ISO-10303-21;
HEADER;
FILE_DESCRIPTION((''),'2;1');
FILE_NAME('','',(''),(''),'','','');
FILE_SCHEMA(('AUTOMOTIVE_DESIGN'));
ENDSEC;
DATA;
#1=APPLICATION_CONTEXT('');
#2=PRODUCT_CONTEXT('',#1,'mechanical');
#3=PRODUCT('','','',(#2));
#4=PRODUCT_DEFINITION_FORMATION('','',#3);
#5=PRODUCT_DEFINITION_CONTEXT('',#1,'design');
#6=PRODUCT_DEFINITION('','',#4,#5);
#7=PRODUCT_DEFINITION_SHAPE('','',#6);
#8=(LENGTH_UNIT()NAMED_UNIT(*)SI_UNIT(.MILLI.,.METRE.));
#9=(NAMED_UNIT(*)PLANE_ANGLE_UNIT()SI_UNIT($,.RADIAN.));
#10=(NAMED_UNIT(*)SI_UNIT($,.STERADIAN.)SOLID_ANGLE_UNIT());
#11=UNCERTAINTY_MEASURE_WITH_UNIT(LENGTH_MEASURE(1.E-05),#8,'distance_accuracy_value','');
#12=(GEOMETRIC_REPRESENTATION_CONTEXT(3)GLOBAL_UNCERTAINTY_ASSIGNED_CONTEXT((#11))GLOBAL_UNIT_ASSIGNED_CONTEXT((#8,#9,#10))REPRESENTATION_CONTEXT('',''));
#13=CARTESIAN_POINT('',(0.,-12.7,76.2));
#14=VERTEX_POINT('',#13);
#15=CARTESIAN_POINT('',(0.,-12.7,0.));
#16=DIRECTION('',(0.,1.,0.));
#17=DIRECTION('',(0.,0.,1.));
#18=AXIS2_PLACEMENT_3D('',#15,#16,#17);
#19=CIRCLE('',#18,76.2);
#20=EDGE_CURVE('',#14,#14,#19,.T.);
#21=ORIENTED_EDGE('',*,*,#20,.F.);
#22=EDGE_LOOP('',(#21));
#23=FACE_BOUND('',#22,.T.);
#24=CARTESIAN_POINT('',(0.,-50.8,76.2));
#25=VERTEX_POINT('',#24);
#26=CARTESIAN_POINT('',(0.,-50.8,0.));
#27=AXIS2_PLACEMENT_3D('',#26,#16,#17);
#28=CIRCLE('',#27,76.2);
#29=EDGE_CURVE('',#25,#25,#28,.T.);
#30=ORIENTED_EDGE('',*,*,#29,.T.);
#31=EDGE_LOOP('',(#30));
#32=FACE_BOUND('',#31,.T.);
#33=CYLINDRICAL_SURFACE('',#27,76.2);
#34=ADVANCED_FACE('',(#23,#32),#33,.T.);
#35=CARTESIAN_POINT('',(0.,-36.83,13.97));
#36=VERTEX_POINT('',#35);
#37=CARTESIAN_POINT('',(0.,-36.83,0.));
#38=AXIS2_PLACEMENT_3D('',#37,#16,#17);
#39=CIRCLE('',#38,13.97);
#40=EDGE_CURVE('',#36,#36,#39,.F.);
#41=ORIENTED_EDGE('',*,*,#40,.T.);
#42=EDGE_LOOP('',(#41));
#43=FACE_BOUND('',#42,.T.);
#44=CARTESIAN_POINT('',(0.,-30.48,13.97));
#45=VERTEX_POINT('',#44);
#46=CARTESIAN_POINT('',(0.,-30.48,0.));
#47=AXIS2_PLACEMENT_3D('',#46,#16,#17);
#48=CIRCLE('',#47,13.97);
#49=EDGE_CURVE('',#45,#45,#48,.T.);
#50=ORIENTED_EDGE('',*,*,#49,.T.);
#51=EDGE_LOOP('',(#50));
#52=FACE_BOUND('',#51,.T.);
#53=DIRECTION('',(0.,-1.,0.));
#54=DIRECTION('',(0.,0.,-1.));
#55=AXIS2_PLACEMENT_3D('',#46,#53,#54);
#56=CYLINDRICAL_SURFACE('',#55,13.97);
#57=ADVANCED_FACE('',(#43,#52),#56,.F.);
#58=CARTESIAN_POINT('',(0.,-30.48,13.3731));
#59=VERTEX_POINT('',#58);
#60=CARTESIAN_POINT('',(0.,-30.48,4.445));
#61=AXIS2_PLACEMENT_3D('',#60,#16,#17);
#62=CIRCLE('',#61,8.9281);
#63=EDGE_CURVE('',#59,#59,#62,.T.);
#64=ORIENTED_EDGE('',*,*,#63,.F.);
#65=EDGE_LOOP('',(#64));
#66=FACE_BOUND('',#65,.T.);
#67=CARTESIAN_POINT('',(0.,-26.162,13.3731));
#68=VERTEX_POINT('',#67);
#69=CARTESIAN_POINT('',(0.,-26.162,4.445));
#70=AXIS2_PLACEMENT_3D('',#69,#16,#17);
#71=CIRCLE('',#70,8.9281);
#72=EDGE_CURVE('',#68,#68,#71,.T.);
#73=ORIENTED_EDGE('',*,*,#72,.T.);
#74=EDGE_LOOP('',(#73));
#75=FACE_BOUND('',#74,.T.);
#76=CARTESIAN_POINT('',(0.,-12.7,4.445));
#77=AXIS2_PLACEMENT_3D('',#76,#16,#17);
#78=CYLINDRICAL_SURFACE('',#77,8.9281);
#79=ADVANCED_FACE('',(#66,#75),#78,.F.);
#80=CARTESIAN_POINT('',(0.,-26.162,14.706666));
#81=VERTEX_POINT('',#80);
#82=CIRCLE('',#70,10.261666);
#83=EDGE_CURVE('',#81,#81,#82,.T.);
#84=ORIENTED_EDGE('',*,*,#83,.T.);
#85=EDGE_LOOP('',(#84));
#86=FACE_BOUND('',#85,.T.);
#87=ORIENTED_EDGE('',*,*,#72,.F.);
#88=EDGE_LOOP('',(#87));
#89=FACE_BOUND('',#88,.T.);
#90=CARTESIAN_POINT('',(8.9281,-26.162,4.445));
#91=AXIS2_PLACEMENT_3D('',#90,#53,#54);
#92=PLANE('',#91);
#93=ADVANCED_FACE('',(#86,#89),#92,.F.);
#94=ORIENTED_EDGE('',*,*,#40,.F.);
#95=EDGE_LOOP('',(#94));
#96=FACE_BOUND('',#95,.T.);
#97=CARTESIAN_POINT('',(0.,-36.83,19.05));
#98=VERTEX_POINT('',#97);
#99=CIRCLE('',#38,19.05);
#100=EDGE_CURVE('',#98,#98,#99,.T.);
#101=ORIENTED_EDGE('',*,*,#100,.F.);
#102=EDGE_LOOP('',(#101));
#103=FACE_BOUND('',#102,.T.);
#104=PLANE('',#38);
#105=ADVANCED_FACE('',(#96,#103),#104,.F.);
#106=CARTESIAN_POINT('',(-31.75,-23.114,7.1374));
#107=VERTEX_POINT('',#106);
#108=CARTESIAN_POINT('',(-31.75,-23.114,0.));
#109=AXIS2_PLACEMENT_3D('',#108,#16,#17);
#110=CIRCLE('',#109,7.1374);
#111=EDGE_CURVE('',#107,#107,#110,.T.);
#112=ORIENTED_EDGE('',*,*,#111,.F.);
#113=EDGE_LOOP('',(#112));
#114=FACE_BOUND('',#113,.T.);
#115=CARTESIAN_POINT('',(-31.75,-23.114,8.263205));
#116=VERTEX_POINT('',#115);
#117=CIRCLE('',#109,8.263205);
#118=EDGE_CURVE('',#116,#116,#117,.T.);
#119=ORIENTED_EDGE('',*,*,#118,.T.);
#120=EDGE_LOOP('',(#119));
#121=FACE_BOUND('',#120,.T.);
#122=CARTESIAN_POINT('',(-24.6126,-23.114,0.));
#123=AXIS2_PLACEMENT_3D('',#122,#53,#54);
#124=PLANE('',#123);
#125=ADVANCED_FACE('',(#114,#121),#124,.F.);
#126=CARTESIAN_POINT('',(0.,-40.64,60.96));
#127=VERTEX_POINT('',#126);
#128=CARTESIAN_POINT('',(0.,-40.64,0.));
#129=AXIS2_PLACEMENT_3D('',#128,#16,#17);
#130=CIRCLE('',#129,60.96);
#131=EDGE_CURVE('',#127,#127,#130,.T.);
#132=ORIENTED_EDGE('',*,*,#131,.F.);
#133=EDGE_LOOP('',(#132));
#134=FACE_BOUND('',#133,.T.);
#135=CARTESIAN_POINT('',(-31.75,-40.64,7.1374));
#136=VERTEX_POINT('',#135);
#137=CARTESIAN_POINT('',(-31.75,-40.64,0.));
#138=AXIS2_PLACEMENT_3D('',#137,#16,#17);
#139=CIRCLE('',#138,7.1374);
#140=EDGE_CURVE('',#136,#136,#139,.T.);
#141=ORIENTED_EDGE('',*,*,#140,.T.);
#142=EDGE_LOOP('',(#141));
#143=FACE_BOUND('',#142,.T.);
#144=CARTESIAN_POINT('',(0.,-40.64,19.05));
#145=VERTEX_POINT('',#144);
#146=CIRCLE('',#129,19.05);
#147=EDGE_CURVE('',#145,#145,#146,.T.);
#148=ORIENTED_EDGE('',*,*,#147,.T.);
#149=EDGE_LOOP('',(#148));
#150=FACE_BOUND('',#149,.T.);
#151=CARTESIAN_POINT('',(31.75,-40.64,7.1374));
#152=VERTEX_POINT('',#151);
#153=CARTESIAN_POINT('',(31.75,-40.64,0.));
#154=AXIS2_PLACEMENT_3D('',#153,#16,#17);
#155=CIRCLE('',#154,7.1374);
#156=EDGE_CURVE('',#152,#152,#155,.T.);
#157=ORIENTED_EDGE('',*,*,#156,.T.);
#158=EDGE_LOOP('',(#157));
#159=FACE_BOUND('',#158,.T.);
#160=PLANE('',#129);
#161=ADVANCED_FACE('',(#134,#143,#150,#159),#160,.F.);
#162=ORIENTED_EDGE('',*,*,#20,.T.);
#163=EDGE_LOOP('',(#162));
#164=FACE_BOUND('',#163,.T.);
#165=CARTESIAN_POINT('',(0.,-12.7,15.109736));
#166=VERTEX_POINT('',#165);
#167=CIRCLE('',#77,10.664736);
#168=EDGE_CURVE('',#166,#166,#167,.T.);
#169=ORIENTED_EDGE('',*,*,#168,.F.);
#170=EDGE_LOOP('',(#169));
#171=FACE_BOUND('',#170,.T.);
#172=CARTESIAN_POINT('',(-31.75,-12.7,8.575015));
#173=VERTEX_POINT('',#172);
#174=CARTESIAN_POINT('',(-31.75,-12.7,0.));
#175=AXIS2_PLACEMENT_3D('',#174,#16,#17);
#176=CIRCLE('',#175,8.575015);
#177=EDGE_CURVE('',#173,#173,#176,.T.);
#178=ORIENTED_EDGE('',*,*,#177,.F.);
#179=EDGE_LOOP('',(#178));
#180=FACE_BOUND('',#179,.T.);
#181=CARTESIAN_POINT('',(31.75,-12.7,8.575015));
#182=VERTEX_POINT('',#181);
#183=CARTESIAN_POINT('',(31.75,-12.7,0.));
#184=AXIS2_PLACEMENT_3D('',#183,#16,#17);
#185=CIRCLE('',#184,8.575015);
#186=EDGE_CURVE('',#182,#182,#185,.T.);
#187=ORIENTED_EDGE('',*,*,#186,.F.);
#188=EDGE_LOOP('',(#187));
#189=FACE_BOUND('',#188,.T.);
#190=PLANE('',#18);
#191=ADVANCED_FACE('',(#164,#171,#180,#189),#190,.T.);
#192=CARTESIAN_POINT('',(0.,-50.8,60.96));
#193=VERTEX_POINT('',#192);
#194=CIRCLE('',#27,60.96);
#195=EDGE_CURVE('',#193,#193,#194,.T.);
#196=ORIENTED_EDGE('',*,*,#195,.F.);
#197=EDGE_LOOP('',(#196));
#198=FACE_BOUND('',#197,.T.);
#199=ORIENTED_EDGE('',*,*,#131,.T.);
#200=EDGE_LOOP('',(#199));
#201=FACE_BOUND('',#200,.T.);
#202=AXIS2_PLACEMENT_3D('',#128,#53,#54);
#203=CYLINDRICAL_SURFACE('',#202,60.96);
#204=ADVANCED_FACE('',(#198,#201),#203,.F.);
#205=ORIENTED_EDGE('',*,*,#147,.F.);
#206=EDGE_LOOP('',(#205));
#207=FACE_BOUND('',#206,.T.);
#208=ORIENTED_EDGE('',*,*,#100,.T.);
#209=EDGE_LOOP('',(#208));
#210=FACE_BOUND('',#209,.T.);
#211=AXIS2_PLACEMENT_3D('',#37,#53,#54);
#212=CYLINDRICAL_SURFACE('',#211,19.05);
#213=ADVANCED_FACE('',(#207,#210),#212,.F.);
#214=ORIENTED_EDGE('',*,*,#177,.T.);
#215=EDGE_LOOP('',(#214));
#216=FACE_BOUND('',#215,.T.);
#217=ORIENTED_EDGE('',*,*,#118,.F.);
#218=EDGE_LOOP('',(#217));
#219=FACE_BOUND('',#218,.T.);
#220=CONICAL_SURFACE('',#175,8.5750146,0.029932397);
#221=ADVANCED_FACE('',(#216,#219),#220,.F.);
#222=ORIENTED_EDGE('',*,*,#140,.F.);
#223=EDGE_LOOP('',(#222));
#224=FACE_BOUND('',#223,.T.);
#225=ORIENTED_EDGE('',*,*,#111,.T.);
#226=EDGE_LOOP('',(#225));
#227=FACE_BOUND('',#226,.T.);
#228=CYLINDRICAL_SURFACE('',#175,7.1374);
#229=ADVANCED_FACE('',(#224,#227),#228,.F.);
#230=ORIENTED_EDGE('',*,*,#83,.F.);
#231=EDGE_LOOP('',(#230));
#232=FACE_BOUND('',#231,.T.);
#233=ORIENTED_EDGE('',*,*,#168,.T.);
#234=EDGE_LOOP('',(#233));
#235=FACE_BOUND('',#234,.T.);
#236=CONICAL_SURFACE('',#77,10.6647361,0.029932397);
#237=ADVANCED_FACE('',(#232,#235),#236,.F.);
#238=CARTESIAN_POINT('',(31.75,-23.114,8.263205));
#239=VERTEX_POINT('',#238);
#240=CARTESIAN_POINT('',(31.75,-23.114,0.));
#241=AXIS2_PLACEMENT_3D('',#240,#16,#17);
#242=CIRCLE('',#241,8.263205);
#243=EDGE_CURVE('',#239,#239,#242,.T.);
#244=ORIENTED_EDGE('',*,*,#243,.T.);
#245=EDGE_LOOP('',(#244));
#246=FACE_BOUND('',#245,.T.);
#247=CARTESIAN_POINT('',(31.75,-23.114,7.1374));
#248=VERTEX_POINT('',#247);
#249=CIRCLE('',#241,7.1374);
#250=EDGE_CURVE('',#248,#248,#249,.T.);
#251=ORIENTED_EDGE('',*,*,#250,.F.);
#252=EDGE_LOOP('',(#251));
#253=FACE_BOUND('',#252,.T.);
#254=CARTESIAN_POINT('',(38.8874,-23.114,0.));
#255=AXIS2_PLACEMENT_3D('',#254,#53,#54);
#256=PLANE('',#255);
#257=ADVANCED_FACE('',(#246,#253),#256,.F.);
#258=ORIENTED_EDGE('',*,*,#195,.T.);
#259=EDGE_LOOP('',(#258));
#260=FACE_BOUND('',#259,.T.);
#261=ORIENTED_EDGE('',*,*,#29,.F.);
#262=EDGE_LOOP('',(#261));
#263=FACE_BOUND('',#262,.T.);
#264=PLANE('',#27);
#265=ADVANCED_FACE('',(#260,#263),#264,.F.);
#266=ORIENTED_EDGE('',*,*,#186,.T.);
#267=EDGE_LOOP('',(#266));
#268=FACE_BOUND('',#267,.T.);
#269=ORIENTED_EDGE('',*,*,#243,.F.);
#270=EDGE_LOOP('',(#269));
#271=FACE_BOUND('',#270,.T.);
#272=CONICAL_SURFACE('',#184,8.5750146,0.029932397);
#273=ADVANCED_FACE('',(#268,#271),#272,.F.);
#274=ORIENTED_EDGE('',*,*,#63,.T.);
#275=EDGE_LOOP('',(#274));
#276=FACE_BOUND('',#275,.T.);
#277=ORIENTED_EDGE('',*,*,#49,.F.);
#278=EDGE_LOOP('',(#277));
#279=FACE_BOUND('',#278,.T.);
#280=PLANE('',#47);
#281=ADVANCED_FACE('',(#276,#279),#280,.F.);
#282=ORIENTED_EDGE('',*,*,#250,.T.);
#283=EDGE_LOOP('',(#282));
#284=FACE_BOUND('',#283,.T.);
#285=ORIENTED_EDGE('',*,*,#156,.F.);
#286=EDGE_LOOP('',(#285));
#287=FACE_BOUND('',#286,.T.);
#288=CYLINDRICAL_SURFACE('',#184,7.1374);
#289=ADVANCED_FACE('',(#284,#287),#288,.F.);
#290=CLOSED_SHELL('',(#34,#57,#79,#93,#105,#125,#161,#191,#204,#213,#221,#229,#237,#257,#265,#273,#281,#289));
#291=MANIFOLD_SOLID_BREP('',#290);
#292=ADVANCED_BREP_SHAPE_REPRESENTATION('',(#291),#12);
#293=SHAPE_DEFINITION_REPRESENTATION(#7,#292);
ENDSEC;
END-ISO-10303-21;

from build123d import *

# Parameters (mm, degrees)
SKETCH1_R                                      = 76.2
BILLET_DEPTH                                   = 50.8
SKETCH3_R                                      = 19.05
LOX_PLATE_DEPTH                                = 13.97
SKETCH5_R                                      = 13.97
LOX_DOME_DEPTH                                 = 20.32
SKETCH7_R                                      = 76.2
TOP_MILL_DEPTH                                 = 12.7
SKETCH12_R                                     = 60.96
KEROSENE_PLATE_DEPTH                           = 10.16
KEROSENE_INLET_3_8_NPT_TAPPED_HOLE1_AT_2_COUNT = 2
KEROSENE_INLET_3_8_NPT_TAPPED_HOLE1_AT_2_PITCH = 63.5


with BuildPart() as part:
    # Sketch1 → Billet (new body)
    with BuildSketch(Plane(origin=(0, 0, 0), x_dir=(1, 0, 0), z_dir=(0, 1, 0))):
        Circle(SKETCH1_R)
    extrude(amount=-BILLET_DEPTH)

    # Sketch3 → Lox Plate (cut)
    with BuildSketch(Plane(origin=(0, -50.8, 0), x_dir=(1, 0, 0), z_dir=(0, 1, 0))):
        Circle(SKETCH3_R)
    extrude(amount=LOX_PLATE_DEPTH, mode=Mode.SUBTRACT)

    # Sketch5 → Lox Dome (cut)
    with BuildSketch(Plane(origin=(0, -50.8, 0), x_dir=(1, 0, 0), z_dir=(0, 1, 0))):
        Circle(SKETCH5_R)
    extrude(amount=LOX_DOME_DEPTH, mode=Mode.SUBTRACT)

    # Sketch7 → Top Mill (cut)
    with BuildSketch(Plane(origin=(0, 0, 0), x_dir=(1, 0, 0), z_dir=(0, 1, 0))):
        Circle(SKETCH7_R)
    extrude(amount=-TOP_MILL_DEPTH, mode=Mode.SUBTRACT)

    # Sketch12 → Kerosene Plate (cut)
    with BuildSketch(Plane(origin=(0, -50.8, 0), x_dir=(1, 0, 0), z_dir=(0, 1, 0))):
        Circle(SKETCH12_R)
    extrude(amount=KEROSENE_PLATE_DEPTH, mode=Mode.SUBTRACT)

    # Sketch21 → Lox Inlet-1/2 NPT Tapped Hole3 (revolve, cut)
    with BuildSketch(Plane(origin=(0, -12.7, 4.445), x_dir=(0, 0, 1), z_dir=(1, 0, 0))):
        Polygon((0, 0), (0, 38.1), (8.9281, 38.1), (8.9281, 13.462), (10.261665792, 13.462), (10.6647361, 0), align=None)
    revolve(axis=Axis((0, -6.35, 4.445), (0, -1, 0)), mode=Mode.SUBTRACT)

    # Sketch25 → Kerosene Inlet-3/8 NPT Tapped Hole1 (revolve, cut)
    with BuildSketch(Plane(origin=(-31.75, -12.7, 0), x_dir=(0, 0, 1), z_dir=(1, 0, 0))):
        Polygon((0, 0), (0, 38.1), (7.1374, 38.1), (7.1374, 10.414), (8.263205494, 10.414), (8.5750146, 0), align=None)
    kerosene_inlet_3_8_npt_tapped_hole1 = revolve(axis=Axis((-31.75, -6.35, 0), (0, -1, 0)), mode=Mode.SUBTRACT)

    # Kerosene Inlet-3/8 NPT Tapped Hole1 at 2: Kerosene Inlet-3/8 NPT Tapped Hole1 ×2
    with Locations(*[(i * KEROSENE_INLET_3_8_NPT_TAPPED_HOLE1_AT_2_PITCH, 0, 0) for i in range(1, KEROSENE_INLET_3_8_NPT_TAPPED_HOLE1_AT_2_COUNT)]):
        add(kerosene_inlet_3_8_npt_tapped_hole1, mode=Mode.SUBTRACT)


solid = part.part
